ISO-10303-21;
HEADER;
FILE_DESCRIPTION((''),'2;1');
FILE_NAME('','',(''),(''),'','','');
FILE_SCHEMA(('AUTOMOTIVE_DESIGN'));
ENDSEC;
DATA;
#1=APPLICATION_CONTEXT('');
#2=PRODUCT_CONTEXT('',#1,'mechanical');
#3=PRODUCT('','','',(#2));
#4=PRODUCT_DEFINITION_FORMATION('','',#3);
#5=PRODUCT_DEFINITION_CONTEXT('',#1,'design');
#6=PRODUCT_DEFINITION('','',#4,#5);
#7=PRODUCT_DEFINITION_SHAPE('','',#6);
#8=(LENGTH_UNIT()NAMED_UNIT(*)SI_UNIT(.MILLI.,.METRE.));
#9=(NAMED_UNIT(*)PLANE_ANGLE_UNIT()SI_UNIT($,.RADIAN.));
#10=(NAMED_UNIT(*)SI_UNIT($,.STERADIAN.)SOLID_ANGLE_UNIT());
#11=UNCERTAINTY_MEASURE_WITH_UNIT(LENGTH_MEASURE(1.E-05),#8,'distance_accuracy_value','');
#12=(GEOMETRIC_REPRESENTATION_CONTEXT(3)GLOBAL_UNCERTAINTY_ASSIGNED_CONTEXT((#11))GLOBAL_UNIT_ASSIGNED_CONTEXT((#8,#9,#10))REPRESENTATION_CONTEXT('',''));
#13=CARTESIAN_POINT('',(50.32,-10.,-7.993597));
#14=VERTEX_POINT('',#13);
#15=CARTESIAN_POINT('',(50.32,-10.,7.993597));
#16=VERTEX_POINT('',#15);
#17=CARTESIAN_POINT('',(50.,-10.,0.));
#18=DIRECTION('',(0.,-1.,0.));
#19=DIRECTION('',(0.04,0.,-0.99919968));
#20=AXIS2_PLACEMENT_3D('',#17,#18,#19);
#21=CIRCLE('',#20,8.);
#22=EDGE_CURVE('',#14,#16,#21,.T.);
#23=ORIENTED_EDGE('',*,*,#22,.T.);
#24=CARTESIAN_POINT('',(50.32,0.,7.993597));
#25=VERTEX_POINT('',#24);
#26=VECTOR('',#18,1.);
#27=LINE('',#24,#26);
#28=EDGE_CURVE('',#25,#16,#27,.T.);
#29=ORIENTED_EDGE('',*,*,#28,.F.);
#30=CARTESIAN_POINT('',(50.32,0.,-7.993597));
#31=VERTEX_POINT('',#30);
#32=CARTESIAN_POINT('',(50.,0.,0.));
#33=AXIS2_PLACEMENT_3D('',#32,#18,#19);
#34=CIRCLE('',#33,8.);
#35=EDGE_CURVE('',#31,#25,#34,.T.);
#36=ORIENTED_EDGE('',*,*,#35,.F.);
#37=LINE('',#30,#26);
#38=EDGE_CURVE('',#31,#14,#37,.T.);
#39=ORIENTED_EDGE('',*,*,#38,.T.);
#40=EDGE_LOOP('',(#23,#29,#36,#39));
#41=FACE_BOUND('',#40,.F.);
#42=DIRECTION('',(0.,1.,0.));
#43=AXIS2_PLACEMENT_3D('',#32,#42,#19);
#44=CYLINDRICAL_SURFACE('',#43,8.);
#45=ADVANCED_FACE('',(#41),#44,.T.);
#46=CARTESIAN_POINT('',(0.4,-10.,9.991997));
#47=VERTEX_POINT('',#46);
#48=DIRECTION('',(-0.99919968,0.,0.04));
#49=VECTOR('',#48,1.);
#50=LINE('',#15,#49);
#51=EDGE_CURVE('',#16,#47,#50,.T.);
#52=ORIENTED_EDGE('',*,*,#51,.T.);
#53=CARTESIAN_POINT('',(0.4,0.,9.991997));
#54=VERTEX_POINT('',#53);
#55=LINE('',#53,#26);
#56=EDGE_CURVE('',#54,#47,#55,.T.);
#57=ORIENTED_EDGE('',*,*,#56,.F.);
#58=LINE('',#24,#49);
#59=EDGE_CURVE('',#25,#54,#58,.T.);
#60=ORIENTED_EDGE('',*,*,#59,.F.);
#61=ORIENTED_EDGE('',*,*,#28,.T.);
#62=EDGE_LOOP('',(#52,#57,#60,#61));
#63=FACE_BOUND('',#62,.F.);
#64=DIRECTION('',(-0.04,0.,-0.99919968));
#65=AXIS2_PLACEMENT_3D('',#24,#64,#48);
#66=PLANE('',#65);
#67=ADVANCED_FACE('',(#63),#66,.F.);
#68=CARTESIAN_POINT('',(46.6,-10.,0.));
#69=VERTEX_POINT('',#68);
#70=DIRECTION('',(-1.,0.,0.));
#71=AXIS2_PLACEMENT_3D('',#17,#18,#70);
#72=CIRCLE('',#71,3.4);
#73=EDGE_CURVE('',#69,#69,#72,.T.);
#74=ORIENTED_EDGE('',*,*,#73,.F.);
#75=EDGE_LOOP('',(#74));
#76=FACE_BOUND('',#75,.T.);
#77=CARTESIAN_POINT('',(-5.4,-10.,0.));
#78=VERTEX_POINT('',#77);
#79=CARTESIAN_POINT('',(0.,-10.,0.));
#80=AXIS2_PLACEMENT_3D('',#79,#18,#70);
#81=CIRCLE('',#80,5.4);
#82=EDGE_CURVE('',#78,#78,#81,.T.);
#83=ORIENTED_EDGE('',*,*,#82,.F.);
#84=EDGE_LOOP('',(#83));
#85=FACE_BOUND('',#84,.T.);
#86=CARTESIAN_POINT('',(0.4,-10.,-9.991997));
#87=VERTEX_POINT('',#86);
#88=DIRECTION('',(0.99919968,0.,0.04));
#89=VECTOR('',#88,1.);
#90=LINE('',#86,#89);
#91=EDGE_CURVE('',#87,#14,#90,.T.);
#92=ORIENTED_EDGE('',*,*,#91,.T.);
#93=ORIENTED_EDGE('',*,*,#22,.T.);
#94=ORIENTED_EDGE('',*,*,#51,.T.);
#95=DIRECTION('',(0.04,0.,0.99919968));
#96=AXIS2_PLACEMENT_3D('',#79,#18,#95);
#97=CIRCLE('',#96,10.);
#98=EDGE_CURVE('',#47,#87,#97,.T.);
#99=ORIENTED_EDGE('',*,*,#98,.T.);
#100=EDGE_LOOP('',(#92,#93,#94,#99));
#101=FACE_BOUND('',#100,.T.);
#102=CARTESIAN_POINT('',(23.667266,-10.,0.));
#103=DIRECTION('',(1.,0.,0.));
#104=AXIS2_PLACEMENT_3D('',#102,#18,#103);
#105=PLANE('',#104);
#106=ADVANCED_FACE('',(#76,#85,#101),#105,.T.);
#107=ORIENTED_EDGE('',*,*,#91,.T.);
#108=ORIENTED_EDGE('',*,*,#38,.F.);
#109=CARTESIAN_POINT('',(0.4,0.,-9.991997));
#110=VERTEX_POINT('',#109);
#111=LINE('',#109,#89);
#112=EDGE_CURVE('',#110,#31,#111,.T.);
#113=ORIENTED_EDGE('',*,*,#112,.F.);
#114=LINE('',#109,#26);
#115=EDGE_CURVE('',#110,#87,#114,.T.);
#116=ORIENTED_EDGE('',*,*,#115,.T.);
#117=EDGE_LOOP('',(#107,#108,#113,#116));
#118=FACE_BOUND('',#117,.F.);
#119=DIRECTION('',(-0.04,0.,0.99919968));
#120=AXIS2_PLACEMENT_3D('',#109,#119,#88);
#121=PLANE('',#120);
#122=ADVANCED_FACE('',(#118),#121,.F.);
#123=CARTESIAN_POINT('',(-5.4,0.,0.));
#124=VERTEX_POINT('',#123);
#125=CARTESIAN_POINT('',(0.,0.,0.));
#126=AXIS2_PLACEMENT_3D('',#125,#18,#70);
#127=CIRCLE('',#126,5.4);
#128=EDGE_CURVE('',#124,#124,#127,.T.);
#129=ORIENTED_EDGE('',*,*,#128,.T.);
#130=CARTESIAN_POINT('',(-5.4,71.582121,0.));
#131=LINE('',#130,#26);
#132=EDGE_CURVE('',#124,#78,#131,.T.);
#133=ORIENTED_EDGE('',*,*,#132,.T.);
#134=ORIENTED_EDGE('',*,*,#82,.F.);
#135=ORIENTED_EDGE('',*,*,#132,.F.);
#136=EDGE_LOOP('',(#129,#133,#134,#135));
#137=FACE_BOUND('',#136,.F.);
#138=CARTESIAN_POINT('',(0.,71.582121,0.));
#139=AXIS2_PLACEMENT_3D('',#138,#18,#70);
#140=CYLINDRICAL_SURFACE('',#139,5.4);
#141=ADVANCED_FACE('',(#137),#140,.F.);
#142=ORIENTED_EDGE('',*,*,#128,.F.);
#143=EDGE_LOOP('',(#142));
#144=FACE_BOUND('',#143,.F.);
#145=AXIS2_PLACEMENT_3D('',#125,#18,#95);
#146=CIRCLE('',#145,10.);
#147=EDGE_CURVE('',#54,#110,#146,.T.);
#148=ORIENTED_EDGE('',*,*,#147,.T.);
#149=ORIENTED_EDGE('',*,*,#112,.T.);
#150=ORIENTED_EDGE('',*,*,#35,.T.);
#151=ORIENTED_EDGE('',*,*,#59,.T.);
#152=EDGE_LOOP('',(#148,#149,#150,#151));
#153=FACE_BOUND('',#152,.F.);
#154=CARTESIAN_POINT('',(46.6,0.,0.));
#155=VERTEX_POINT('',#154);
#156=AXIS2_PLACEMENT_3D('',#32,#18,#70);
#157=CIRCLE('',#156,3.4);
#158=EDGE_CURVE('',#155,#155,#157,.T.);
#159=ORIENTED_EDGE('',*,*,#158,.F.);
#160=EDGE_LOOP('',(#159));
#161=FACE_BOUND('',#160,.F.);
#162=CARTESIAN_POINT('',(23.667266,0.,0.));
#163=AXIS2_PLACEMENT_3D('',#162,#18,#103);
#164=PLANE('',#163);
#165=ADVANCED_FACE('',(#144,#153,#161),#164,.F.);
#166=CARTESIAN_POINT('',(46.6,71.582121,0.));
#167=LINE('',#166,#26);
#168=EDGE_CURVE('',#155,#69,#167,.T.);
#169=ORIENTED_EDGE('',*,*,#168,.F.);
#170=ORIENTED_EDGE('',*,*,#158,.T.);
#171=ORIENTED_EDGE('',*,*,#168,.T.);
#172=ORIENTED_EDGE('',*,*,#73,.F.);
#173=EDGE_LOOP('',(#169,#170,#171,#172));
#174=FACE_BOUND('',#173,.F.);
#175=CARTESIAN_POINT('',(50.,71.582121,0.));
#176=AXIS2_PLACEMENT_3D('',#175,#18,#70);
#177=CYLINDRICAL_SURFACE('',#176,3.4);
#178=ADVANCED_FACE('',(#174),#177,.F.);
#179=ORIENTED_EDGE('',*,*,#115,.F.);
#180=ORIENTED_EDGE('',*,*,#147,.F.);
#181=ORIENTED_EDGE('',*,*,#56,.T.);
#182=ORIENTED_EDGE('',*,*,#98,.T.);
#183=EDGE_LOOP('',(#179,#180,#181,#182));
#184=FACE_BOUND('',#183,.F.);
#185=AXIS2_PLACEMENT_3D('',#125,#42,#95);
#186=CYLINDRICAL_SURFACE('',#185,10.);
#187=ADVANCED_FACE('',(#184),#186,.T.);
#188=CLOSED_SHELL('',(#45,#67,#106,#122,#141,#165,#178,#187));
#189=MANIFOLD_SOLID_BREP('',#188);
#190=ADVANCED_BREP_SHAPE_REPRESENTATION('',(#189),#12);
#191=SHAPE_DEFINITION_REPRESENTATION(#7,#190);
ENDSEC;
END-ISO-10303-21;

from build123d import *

# Parameters (mm, degrees)
F1_DEPTH = 10
F2_D     = 10.8
F3_D     = 6.8


with BuildPart() as f1:
    # F0 (on Front) → F1 (new body)
    with BuildSketch(Plane.XZ):
        with BuildLine():
            Line((50.32, 7.9935974379), (0.4, 9.9919967974))
            ThreePointArc((0.4, 9.9919967974), (-10, 0), (0.4, -9.9919967974))
            Line((0.4, -9.9919967974), (50.32, -7.9935974379))
            ThreePointArc((50.32, -7.9935974379), (58, 0), (50.32, 7.9935974379))
        make_face()
    extrude(amount=F1_DEPTH)

    # F2 (through all)
    with Locations(Plane(origin=(0, 0, 0), x_dir=(1, 0, 0), z_dir=(0, 1, 0))):
        with Locations((0, 0)):
            Hole(F2_D / 2)

    # F3 (through all)
    with Locations(Plane(origin=(0, 0, 0), x_dir=(1, 0, 0), z_dir=(0, 1, 0))):
        with Locations((50, 0)):
            Hole(F3_D / 2)


solid = f1.part
